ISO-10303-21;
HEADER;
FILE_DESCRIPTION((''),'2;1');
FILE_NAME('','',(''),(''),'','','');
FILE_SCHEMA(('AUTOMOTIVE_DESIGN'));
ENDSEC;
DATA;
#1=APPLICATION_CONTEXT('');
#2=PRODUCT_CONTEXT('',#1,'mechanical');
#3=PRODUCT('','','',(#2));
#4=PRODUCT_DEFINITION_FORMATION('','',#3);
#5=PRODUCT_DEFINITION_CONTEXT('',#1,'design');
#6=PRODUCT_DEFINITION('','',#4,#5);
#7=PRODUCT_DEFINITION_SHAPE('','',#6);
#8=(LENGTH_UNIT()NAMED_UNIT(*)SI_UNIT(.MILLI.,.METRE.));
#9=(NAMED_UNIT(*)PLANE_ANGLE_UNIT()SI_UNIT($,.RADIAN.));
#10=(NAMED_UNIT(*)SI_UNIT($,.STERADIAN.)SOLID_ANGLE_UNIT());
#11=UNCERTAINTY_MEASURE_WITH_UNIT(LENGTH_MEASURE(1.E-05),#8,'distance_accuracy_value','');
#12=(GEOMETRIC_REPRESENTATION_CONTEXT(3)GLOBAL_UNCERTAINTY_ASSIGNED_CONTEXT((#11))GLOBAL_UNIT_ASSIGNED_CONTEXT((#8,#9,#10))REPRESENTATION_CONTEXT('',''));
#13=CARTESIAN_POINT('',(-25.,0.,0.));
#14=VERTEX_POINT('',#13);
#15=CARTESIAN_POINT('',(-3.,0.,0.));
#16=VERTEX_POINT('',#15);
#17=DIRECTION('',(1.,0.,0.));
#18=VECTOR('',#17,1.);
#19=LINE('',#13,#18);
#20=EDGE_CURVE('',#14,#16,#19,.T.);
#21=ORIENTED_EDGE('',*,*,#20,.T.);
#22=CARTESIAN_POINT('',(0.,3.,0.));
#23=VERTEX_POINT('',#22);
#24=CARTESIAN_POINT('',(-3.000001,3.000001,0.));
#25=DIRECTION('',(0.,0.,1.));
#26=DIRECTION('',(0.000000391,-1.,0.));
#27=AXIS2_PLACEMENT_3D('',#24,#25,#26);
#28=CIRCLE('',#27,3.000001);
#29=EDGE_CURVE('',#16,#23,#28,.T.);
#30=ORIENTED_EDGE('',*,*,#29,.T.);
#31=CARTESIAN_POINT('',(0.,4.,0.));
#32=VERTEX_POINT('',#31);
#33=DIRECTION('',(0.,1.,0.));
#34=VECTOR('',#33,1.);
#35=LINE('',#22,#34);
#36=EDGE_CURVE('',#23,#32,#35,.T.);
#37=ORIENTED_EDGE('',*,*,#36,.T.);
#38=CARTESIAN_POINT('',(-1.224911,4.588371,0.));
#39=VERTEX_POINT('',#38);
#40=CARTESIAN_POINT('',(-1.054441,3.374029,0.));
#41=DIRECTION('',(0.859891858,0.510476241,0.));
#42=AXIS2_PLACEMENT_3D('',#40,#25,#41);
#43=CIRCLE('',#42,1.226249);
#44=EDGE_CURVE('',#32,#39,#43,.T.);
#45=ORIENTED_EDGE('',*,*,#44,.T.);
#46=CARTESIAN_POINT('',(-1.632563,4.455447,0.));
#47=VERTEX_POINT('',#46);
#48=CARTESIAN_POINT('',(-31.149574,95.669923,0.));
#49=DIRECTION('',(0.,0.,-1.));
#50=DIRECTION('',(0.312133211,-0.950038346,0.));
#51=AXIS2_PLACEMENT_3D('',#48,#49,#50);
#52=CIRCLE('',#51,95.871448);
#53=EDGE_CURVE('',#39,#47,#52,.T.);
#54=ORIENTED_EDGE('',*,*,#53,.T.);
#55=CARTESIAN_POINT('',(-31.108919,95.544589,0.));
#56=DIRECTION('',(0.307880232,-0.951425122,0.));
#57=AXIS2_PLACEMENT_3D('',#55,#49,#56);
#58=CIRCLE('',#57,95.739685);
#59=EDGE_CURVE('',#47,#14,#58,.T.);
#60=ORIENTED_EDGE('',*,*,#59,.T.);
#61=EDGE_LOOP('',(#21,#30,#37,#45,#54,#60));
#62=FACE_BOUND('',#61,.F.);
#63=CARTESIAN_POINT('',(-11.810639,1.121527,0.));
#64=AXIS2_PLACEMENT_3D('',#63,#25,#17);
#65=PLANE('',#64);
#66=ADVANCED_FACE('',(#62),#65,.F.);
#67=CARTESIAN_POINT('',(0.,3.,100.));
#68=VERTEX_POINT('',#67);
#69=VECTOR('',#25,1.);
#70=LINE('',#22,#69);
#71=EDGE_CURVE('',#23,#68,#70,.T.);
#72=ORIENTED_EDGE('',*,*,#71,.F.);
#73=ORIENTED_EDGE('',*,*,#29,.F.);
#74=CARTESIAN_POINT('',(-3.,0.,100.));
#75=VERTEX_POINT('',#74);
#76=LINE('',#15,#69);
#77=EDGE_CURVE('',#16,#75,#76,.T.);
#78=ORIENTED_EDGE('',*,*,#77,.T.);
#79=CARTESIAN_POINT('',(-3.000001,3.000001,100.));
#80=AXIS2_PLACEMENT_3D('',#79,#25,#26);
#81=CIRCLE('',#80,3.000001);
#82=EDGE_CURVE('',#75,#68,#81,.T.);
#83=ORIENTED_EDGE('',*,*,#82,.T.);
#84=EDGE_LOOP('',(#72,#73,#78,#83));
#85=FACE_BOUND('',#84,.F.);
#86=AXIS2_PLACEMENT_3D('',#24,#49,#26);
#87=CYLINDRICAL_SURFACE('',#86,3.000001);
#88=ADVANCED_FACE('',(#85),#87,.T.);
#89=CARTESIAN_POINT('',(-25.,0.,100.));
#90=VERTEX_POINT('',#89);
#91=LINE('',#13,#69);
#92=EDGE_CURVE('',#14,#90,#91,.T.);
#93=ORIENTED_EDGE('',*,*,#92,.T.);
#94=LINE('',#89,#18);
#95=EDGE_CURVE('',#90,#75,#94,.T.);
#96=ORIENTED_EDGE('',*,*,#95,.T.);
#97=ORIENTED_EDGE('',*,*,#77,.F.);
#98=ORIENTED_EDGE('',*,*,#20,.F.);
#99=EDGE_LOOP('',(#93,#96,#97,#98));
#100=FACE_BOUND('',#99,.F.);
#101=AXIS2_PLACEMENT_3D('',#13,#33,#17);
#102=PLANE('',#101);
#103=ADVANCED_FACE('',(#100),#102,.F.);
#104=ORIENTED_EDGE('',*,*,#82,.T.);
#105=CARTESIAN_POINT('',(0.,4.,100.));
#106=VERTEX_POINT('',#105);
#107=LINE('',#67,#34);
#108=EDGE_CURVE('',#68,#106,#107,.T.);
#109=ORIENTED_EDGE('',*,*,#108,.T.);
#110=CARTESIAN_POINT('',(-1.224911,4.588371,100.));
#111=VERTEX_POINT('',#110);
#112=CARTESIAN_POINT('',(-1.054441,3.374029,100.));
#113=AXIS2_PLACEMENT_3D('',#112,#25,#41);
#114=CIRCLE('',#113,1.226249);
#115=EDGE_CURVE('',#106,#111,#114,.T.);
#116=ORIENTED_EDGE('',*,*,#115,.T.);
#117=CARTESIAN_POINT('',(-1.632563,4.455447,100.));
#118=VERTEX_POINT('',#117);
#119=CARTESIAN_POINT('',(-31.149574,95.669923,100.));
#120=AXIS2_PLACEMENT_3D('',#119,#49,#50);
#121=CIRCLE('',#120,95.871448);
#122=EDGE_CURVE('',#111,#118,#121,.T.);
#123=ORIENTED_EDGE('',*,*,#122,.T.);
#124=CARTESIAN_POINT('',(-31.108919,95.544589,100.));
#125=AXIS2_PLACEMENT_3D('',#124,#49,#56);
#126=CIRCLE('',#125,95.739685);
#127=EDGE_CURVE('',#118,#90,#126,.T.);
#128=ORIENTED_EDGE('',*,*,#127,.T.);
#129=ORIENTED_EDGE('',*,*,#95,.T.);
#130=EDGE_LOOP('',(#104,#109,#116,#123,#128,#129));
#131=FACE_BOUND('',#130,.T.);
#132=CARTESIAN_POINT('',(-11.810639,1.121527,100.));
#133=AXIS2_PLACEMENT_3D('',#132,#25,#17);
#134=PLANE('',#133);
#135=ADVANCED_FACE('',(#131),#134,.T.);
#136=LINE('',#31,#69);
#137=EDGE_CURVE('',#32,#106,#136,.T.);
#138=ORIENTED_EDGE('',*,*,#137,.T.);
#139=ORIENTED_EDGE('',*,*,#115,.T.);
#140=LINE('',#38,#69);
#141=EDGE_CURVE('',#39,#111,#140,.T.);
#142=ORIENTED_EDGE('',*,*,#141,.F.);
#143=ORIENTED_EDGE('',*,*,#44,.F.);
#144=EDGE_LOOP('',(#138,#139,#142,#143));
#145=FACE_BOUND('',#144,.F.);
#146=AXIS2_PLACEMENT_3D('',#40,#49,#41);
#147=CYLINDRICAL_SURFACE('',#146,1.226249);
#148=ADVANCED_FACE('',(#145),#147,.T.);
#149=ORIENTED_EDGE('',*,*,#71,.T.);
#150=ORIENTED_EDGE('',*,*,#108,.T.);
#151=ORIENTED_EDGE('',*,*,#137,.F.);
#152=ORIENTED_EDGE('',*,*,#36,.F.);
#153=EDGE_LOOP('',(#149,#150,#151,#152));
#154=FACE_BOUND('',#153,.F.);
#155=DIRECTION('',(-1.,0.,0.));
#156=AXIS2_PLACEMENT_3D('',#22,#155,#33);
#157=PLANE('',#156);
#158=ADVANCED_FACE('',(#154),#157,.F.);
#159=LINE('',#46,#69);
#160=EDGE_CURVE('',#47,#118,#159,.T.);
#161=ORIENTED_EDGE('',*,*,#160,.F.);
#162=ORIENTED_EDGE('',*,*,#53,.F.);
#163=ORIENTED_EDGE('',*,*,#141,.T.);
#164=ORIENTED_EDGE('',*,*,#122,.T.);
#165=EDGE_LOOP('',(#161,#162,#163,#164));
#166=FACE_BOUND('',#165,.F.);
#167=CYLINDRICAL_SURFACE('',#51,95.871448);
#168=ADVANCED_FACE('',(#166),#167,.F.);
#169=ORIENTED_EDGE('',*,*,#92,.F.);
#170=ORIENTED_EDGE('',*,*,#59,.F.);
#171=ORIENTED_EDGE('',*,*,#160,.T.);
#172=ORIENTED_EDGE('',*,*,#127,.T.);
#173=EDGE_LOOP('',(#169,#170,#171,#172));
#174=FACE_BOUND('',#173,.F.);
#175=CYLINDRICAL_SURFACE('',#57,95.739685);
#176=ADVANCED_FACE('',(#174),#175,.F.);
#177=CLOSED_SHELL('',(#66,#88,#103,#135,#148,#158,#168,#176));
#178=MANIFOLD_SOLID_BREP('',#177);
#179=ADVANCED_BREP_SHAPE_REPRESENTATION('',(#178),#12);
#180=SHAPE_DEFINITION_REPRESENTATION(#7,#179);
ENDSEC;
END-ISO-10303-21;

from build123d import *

# Parameters (mm, degrees)
F1_DEPTH = 100


with BuildPart() as f1:
    # F0 (on Top) → F1 (new body)
    with BuildSketch(Plane.XY):
        with BuildLine():
            Line((-25, 0), (-3, 0))
            ThreePointArc((-3, 0), (-0.87868, 0.87868), (0, 3))
            Line((0, 3), (0, 4))
            ThreePointArc((0, 4), (-0.523502, 4.479375), (-1.224911, 4.588371))
            ThreePointArc((-1.224911, 4.588371), (-1.428663, 4.521681), (-1.632563, 4.455447))
            ThreePointArc((-1.632563, 4.455447), (-13.177363, 1.499139), (-25, 0))
        make_face()
    extrude(amount=F1_DEPTH)


solid = f1.part
